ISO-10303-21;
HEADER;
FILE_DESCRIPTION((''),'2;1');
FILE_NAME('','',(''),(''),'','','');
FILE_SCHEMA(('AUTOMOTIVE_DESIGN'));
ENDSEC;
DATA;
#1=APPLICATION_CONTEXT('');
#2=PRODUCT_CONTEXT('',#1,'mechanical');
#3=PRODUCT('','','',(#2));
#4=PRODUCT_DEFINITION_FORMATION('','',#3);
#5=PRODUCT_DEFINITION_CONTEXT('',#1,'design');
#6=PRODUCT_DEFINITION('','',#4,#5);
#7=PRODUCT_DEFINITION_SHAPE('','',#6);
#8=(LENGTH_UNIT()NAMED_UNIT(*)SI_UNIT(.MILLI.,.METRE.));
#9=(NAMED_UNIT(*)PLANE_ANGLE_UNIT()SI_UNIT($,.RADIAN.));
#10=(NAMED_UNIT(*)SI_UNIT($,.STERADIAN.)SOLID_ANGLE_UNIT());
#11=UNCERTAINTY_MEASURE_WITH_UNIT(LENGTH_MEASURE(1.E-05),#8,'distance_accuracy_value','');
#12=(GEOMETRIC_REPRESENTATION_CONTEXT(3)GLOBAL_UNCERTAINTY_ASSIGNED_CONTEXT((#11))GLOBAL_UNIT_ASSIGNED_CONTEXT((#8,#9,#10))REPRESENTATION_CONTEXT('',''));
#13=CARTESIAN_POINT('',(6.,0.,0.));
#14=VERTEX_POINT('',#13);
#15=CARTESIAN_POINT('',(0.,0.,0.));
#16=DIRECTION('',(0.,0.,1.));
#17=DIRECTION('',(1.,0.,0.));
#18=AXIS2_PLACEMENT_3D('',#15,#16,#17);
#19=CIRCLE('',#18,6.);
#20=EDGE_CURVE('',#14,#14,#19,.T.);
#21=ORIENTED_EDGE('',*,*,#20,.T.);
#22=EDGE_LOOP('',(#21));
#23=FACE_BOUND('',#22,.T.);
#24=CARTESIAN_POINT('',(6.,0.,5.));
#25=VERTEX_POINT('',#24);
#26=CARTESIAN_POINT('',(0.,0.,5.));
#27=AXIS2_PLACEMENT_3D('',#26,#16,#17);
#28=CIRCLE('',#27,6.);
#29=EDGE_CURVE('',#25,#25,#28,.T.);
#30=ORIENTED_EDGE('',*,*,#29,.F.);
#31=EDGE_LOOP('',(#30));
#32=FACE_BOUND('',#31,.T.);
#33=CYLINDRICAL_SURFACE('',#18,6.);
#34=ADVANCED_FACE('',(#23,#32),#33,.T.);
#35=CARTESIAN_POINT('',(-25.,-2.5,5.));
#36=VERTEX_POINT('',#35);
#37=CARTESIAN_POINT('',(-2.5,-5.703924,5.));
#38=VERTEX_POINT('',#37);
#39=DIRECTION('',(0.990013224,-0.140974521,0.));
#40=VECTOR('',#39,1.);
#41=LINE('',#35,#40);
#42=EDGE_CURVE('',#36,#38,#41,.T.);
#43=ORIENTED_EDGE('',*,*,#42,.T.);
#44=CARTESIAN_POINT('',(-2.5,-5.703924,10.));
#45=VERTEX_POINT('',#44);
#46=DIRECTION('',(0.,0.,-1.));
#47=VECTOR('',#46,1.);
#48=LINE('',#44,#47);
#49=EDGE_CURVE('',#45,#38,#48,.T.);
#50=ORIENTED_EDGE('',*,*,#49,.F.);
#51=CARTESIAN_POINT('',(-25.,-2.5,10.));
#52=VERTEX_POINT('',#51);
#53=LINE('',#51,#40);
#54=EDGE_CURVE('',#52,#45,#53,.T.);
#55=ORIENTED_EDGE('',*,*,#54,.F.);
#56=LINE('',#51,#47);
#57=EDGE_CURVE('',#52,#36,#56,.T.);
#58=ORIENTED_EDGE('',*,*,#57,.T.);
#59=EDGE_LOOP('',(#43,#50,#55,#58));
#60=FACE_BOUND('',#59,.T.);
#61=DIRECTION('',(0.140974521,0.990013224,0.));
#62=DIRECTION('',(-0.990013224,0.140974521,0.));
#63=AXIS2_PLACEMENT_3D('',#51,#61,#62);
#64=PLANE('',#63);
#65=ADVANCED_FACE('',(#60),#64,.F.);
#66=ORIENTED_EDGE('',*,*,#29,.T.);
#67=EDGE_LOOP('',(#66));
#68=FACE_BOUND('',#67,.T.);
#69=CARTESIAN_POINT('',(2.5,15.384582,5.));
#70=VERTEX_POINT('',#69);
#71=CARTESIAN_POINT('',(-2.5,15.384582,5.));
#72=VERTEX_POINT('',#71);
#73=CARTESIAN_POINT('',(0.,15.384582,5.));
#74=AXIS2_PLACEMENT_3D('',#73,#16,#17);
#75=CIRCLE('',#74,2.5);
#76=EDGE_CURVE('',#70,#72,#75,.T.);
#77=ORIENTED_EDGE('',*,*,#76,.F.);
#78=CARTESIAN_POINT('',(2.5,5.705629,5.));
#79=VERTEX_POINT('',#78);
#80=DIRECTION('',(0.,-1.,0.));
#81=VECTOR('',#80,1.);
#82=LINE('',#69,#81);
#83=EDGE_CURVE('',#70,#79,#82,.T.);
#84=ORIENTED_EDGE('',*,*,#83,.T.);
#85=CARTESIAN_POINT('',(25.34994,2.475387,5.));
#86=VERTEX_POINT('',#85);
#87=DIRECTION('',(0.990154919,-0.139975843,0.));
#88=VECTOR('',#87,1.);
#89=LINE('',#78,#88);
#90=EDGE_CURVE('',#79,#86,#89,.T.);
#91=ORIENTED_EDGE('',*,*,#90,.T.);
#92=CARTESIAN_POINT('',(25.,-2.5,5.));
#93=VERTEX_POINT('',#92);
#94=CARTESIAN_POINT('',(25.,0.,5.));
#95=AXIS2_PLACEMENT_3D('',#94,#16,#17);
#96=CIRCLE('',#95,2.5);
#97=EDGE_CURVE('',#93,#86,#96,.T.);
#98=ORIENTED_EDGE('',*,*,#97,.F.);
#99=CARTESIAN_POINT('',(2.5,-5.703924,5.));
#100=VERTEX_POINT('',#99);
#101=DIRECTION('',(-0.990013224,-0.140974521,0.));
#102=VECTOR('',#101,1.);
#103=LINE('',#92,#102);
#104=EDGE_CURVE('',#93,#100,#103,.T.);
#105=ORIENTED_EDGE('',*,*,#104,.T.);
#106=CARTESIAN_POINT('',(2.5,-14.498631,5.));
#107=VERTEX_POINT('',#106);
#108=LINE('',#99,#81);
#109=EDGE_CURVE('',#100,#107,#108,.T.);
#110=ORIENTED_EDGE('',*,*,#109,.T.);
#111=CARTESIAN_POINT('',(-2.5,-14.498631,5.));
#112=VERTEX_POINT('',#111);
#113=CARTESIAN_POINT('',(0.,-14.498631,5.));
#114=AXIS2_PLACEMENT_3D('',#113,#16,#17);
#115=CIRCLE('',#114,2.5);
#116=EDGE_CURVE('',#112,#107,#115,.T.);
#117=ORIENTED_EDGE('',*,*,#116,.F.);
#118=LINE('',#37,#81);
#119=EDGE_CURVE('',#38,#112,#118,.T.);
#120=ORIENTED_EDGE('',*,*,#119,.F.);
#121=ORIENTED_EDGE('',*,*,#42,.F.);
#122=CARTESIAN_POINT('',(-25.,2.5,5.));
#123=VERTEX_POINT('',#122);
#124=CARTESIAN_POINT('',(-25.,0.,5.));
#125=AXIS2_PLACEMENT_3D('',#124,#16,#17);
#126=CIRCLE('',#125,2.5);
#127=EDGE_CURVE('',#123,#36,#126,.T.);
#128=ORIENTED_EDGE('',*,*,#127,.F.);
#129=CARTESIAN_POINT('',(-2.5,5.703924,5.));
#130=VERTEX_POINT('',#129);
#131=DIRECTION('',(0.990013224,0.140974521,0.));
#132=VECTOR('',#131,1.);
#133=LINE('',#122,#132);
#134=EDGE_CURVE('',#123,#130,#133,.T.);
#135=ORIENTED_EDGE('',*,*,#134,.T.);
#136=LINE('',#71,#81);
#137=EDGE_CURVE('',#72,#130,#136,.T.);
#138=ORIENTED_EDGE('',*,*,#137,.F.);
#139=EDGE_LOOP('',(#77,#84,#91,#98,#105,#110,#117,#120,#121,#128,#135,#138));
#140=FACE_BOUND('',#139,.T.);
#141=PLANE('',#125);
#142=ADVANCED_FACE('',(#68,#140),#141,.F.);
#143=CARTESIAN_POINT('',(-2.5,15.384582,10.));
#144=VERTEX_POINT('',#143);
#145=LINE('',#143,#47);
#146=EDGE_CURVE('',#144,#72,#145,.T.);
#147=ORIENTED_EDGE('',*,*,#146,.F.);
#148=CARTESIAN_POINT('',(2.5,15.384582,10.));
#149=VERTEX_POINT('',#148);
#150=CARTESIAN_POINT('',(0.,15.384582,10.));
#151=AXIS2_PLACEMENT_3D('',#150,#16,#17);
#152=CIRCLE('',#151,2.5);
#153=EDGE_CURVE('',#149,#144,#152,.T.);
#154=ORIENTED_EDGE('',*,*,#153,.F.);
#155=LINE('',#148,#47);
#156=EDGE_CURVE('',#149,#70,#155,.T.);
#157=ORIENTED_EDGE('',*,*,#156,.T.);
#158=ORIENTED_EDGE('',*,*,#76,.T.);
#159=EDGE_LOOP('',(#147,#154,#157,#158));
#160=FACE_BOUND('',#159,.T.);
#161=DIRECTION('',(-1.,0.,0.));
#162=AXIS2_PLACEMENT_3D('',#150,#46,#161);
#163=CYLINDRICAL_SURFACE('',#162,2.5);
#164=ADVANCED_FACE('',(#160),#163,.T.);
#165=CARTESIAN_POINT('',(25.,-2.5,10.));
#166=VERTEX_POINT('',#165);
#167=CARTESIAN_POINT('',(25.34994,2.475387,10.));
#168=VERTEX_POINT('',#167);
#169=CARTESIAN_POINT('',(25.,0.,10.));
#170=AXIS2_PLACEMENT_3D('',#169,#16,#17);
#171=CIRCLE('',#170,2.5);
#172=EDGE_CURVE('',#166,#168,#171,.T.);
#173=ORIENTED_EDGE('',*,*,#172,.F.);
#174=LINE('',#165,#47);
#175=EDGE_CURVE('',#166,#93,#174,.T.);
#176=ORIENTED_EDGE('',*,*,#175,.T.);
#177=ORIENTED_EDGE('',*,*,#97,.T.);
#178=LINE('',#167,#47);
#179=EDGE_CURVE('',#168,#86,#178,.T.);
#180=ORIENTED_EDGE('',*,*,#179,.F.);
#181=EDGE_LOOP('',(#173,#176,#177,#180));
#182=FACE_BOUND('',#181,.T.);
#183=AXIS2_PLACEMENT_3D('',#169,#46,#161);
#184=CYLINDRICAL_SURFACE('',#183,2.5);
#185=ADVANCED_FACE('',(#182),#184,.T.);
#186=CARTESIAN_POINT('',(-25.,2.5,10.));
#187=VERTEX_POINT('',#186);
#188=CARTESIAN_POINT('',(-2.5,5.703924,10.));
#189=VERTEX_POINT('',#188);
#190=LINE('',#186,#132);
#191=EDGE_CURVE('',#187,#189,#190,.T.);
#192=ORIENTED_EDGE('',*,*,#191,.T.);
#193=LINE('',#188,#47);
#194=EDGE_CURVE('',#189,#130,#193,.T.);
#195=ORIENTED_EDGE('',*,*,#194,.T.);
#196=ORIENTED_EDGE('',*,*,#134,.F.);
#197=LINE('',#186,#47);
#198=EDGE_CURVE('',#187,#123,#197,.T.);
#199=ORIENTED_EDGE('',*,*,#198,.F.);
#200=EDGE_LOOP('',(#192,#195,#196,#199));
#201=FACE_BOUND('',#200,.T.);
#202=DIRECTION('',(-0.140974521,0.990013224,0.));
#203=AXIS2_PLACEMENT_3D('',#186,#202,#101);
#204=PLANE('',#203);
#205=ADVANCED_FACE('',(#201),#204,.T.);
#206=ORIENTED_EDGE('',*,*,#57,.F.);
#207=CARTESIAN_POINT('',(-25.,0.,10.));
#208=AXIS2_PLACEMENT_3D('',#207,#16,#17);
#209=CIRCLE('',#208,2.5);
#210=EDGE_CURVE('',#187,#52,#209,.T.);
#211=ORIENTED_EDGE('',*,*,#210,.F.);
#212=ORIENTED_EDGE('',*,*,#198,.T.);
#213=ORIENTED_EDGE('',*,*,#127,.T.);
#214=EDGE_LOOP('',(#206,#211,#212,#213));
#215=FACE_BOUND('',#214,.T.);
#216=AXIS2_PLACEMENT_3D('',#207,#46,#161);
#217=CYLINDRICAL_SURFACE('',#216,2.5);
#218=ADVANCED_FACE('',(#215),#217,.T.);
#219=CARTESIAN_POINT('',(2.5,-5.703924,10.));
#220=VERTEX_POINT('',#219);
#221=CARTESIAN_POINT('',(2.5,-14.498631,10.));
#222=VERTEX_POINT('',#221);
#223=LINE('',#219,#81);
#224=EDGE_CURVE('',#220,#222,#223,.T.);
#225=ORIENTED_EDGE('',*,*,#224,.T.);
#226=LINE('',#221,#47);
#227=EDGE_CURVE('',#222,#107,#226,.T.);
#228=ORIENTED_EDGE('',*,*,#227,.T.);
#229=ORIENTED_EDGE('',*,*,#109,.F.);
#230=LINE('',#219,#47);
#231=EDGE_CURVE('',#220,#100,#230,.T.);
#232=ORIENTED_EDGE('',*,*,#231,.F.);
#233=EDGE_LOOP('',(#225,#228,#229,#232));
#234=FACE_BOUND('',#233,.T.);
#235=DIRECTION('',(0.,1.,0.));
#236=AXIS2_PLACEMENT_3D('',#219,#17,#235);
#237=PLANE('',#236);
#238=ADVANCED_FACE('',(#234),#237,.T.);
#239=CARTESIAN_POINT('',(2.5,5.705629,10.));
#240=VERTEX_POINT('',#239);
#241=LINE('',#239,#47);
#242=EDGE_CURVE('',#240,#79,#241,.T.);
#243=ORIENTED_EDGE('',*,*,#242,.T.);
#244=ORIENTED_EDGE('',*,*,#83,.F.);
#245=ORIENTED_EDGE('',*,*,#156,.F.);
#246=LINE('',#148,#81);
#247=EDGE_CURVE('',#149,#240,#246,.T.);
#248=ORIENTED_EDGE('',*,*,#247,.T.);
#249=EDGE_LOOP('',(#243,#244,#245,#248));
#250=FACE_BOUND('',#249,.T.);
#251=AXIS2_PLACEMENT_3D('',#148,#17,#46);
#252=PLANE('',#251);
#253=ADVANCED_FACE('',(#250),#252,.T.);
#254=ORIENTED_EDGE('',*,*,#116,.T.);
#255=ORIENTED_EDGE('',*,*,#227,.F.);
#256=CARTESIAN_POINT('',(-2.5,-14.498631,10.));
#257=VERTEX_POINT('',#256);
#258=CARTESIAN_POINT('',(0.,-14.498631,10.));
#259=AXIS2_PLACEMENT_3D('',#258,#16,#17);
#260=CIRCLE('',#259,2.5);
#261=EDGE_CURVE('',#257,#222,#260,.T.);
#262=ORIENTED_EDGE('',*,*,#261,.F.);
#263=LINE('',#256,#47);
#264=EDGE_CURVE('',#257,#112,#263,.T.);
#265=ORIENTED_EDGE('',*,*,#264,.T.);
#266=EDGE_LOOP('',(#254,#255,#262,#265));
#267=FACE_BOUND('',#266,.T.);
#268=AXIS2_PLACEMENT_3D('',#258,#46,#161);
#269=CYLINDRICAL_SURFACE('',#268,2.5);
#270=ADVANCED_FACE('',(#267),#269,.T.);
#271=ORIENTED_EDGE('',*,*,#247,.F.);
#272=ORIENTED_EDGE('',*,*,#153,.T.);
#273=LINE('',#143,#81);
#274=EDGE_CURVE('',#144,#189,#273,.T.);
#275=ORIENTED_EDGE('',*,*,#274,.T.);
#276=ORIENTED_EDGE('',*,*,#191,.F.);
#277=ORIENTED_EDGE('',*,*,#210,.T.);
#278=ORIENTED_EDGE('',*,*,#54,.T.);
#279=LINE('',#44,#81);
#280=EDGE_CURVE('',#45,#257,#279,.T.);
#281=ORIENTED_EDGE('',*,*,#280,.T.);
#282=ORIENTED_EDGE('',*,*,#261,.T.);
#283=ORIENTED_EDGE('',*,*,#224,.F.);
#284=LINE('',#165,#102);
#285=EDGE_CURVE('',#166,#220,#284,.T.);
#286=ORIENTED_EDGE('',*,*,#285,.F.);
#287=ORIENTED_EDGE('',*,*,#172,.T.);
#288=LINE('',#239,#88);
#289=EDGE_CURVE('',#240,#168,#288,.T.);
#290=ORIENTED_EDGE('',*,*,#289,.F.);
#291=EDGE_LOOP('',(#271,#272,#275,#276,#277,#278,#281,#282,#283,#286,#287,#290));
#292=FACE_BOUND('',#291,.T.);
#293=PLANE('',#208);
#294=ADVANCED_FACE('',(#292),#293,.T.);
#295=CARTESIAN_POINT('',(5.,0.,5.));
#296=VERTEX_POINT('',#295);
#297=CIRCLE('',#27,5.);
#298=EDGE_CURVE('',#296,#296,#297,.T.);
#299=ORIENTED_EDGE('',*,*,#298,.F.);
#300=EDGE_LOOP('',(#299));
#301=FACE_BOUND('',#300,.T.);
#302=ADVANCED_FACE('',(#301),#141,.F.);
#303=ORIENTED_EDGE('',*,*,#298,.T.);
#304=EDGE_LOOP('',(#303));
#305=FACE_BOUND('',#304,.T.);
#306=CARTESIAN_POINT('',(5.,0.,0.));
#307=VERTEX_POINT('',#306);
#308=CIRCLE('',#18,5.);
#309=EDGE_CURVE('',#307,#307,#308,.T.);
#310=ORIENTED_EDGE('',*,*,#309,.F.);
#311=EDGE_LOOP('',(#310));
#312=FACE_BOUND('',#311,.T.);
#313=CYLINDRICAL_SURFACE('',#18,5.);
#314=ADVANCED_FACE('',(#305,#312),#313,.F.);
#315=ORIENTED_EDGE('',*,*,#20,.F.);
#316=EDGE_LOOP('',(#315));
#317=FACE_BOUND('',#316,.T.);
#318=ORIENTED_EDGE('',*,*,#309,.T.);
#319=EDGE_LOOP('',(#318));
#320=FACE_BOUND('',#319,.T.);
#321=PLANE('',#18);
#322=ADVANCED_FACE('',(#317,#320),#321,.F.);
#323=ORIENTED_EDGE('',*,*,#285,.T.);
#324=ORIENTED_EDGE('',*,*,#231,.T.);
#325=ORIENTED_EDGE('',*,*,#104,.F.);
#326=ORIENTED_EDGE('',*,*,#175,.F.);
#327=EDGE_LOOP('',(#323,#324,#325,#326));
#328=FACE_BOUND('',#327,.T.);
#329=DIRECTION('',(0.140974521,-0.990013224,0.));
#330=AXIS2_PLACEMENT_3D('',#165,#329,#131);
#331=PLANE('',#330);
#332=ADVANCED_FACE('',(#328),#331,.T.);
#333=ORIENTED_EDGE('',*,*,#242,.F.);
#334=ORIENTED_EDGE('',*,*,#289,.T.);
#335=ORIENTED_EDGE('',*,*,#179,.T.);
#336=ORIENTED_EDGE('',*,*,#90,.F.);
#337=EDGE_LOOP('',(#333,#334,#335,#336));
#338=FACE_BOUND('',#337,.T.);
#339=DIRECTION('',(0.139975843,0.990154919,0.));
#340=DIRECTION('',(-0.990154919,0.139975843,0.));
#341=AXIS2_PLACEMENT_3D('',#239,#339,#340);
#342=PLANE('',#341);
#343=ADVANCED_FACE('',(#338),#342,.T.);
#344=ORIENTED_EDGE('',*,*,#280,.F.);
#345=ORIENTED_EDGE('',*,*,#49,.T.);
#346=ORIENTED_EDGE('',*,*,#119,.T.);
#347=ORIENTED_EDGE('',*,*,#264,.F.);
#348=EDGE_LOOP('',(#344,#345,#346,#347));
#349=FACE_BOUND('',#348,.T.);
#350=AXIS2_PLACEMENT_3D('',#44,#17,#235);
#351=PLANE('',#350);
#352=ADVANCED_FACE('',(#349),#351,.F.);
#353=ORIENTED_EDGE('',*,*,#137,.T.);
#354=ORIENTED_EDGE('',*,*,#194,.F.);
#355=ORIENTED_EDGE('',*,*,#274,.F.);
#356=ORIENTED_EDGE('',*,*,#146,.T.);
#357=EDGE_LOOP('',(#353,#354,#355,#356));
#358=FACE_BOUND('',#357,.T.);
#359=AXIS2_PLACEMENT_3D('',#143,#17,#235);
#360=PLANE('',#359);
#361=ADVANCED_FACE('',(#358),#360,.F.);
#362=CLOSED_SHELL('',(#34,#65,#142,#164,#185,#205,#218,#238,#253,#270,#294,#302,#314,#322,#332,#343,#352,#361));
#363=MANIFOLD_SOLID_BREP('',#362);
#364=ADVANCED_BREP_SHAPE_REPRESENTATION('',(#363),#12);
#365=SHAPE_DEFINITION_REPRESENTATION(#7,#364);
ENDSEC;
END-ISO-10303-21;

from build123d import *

# Parameters (mm, degrees)
SWEEP_THIN1_PROFILE_R   = 6
SWEEP_THIN1_PROFILE_R_2 = 5
BOSS_EXTRUDE1_DEPTH     = 5


with BuildPart() as part:
    # Sweep-Thin1: sweep along a path in Sketch1
    with BuildLine(Plane.YZ) as sweep_thin1_path:
        Line((0, 0), (0, 5))
    # Sweep-Thin1 profile (on start of the path) → Sweep-Thin1 (sweep)
    with BuildSketch(Plane.XY):
        Circle(SWEEP_THIN1_PROFILE_R)
        Circle(SWEEP_THIN1_PROFILE_R_2, mode=Mode.SUBTRACT)
    sweep(path=sweep_thin1_path.line)

    # Sketch3 → Boss-Extrude1 (add)
    with BuildSketch(Plane.XY.offset(5)):
        with BuildLine():
            Line((-25, 2.5), (-2.5, 5.703923584))
            Line((-2.5, 5.703923584), (-2.5, 15.384581875))
            ThreePointArc((-2.5, 15.384581875), (0, 17.884581875), (2.5, 15.384581875))
            Line((2.5, 15.384581875), (2.5, 5.705628852))
            Line((2.5, 5.705628852), (25.349939608, 2.475387297))
            ThreePointArc((25.349939608, 2.475387297), (27.493839233, -0.175402049), (25, -2.5))
            Line((25, -2.5), (2.5, -5.703923584))
            Line((2.5, -5.703923584), (2.5, -14.498631066))
            ThreePointArc((2.5, -14.498631066), (0, -16.998631066), (-2.5, -14.498631066))
            Line((-2.5, -14.498631066), (-2.5, -5.703923584))
            Line((-2.5, -5.703923584), (-25, -2.5))
            ThreePointArc((-25, -2.5), (-27.5, 0), (-25, 2.5))
        make_face()
    extrude(amount=BOSS_EXTRUDE1_DEPTH)


solid = part.part
